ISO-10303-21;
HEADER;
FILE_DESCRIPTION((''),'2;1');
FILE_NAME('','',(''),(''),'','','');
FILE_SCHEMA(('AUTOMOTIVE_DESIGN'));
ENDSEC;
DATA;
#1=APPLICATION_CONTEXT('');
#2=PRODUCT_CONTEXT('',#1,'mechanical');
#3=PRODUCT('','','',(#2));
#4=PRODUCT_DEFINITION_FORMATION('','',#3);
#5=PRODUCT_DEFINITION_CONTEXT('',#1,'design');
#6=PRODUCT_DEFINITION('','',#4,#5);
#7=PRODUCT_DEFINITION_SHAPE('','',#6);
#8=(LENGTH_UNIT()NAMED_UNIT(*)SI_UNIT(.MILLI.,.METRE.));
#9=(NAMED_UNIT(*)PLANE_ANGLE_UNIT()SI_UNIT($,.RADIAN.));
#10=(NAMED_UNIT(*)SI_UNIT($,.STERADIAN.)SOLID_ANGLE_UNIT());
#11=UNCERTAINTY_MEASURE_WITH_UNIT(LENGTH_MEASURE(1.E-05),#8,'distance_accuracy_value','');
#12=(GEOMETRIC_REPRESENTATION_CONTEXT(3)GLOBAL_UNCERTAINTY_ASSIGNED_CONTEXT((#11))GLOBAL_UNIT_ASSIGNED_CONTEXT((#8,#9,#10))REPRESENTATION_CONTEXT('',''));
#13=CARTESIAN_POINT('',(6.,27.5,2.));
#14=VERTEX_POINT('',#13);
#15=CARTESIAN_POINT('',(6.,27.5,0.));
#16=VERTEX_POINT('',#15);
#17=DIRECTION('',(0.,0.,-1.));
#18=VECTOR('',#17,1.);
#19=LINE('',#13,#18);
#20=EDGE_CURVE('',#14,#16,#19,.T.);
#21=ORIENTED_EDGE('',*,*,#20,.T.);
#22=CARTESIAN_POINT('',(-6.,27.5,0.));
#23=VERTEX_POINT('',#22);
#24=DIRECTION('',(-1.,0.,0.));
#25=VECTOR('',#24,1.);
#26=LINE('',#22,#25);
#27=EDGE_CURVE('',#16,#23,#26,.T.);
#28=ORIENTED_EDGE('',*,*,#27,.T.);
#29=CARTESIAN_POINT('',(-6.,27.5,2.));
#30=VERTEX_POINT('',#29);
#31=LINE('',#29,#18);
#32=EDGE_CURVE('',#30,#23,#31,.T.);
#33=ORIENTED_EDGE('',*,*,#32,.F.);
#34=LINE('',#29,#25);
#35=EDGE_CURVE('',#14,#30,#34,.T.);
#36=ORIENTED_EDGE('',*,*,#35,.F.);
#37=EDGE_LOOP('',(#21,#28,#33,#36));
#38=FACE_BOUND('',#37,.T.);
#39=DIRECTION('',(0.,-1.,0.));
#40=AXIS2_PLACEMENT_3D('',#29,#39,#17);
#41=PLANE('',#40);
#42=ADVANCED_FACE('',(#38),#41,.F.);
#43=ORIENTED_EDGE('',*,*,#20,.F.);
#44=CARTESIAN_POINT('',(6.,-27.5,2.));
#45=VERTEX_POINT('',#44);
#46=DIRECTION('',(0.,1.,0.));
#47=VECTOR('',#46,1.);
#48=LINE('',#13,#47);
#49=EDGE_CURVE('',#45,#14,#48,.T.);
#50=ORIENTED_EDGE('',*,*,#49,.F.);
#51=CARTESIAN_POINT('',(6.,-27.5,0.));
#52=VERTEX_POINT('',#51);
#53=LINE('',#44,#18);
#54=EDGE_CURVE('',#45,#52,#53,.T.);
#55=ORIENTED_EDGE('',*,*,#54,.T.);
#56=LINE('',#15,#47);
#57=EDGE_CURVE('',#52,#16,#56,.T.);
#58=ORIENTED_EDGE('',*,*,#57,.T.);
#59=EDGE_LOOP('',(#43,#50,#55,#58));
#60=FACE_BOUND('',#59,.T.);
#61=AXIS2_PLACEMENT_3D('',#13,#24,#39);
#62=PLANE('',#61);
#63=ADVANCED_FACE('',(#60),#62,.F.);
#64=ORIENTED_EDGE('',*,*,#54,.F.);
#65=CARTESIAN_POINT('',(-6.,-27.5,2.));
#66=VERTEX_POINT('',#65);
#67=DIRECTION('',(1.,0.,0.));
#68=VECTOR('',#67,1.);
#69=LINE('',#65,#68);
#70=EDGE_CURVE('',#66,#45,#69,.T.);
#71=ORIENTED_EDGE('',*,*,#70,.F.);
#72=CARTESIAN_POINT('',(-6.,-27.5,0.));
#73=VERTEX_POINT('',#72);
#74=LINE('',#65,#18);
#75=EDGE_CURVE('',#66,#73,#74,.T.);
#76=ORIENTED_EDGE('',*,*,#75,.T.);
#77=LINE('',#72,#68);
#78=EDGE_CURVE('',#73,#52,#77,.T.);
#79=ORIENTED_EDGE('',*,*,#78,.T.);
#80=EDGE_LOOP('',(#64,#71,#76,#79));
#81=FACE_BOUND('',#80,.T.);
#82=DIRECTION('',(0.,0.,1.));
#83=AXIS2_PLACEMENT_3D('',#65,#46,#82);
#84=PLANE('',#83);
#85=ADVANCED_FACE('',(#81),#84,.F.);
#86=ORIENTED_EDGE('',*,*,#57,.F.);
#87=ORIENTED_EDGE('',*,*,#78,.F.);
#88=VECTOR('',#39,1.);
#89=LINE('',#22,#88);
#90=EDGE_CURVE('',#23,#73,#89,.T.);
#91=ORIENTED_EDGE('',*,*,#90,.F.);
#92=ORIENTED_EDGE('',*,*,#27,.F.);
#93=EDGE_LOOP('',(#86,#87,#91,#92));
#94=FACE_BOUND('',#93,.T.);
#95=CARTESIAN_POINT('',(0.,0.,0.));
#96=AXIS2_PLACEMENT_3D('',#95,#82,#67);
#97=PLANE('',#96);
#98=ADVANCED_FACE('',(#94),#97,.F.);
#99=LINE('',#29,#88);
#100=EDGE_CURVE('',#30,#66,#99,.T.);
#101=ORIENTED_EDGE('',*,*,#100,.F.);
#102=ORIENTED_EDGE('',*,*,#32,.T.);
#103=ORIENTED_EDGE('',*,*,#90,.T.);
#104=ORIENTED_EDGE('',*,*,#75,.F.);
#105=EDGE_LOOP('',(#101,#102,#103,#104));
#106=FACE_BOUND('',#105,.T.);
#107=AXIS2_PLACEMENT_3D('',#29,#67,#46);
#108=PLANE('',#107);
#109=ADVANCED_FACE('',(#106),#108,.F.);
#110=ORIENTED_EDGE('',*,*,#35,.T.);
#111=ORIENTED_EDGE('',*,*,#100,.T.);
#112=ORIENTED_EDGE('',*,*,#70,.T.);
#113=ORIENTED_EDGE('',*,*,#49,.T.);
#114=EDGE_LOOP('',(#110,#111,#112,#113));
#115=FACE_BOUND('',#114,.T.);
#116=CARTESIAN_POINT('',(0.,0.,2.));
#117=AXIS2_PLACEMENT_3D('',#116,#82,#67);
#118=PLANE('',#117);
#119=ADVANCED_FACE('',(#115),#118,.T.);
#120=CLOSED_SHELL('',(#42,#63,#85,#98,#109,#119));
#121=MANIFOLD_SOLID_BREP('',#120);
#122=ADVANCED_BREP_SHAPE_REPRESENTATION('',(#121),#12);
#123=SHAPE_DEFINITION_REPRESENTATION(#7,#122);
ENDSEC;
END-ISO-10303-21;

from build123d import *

# Parameters (mm, degrees)
SZKIC1_W                    = 12
SZKIC1_H                    = 55
DODANIE_WYCI_GNI_CIE1_DEPTH = 2


with BuildPart() as part:
    # Szkic1 → Dodanie-wyciągnięcie1 (new body)
    with BuildSketch(Plane.XY):
        Rectangle(SZKIC1_W, SZKIC1_H)
    extrude(amount=DODANIE_WYCI_GNI_CIE1_DEPTH)


solid = part.part
